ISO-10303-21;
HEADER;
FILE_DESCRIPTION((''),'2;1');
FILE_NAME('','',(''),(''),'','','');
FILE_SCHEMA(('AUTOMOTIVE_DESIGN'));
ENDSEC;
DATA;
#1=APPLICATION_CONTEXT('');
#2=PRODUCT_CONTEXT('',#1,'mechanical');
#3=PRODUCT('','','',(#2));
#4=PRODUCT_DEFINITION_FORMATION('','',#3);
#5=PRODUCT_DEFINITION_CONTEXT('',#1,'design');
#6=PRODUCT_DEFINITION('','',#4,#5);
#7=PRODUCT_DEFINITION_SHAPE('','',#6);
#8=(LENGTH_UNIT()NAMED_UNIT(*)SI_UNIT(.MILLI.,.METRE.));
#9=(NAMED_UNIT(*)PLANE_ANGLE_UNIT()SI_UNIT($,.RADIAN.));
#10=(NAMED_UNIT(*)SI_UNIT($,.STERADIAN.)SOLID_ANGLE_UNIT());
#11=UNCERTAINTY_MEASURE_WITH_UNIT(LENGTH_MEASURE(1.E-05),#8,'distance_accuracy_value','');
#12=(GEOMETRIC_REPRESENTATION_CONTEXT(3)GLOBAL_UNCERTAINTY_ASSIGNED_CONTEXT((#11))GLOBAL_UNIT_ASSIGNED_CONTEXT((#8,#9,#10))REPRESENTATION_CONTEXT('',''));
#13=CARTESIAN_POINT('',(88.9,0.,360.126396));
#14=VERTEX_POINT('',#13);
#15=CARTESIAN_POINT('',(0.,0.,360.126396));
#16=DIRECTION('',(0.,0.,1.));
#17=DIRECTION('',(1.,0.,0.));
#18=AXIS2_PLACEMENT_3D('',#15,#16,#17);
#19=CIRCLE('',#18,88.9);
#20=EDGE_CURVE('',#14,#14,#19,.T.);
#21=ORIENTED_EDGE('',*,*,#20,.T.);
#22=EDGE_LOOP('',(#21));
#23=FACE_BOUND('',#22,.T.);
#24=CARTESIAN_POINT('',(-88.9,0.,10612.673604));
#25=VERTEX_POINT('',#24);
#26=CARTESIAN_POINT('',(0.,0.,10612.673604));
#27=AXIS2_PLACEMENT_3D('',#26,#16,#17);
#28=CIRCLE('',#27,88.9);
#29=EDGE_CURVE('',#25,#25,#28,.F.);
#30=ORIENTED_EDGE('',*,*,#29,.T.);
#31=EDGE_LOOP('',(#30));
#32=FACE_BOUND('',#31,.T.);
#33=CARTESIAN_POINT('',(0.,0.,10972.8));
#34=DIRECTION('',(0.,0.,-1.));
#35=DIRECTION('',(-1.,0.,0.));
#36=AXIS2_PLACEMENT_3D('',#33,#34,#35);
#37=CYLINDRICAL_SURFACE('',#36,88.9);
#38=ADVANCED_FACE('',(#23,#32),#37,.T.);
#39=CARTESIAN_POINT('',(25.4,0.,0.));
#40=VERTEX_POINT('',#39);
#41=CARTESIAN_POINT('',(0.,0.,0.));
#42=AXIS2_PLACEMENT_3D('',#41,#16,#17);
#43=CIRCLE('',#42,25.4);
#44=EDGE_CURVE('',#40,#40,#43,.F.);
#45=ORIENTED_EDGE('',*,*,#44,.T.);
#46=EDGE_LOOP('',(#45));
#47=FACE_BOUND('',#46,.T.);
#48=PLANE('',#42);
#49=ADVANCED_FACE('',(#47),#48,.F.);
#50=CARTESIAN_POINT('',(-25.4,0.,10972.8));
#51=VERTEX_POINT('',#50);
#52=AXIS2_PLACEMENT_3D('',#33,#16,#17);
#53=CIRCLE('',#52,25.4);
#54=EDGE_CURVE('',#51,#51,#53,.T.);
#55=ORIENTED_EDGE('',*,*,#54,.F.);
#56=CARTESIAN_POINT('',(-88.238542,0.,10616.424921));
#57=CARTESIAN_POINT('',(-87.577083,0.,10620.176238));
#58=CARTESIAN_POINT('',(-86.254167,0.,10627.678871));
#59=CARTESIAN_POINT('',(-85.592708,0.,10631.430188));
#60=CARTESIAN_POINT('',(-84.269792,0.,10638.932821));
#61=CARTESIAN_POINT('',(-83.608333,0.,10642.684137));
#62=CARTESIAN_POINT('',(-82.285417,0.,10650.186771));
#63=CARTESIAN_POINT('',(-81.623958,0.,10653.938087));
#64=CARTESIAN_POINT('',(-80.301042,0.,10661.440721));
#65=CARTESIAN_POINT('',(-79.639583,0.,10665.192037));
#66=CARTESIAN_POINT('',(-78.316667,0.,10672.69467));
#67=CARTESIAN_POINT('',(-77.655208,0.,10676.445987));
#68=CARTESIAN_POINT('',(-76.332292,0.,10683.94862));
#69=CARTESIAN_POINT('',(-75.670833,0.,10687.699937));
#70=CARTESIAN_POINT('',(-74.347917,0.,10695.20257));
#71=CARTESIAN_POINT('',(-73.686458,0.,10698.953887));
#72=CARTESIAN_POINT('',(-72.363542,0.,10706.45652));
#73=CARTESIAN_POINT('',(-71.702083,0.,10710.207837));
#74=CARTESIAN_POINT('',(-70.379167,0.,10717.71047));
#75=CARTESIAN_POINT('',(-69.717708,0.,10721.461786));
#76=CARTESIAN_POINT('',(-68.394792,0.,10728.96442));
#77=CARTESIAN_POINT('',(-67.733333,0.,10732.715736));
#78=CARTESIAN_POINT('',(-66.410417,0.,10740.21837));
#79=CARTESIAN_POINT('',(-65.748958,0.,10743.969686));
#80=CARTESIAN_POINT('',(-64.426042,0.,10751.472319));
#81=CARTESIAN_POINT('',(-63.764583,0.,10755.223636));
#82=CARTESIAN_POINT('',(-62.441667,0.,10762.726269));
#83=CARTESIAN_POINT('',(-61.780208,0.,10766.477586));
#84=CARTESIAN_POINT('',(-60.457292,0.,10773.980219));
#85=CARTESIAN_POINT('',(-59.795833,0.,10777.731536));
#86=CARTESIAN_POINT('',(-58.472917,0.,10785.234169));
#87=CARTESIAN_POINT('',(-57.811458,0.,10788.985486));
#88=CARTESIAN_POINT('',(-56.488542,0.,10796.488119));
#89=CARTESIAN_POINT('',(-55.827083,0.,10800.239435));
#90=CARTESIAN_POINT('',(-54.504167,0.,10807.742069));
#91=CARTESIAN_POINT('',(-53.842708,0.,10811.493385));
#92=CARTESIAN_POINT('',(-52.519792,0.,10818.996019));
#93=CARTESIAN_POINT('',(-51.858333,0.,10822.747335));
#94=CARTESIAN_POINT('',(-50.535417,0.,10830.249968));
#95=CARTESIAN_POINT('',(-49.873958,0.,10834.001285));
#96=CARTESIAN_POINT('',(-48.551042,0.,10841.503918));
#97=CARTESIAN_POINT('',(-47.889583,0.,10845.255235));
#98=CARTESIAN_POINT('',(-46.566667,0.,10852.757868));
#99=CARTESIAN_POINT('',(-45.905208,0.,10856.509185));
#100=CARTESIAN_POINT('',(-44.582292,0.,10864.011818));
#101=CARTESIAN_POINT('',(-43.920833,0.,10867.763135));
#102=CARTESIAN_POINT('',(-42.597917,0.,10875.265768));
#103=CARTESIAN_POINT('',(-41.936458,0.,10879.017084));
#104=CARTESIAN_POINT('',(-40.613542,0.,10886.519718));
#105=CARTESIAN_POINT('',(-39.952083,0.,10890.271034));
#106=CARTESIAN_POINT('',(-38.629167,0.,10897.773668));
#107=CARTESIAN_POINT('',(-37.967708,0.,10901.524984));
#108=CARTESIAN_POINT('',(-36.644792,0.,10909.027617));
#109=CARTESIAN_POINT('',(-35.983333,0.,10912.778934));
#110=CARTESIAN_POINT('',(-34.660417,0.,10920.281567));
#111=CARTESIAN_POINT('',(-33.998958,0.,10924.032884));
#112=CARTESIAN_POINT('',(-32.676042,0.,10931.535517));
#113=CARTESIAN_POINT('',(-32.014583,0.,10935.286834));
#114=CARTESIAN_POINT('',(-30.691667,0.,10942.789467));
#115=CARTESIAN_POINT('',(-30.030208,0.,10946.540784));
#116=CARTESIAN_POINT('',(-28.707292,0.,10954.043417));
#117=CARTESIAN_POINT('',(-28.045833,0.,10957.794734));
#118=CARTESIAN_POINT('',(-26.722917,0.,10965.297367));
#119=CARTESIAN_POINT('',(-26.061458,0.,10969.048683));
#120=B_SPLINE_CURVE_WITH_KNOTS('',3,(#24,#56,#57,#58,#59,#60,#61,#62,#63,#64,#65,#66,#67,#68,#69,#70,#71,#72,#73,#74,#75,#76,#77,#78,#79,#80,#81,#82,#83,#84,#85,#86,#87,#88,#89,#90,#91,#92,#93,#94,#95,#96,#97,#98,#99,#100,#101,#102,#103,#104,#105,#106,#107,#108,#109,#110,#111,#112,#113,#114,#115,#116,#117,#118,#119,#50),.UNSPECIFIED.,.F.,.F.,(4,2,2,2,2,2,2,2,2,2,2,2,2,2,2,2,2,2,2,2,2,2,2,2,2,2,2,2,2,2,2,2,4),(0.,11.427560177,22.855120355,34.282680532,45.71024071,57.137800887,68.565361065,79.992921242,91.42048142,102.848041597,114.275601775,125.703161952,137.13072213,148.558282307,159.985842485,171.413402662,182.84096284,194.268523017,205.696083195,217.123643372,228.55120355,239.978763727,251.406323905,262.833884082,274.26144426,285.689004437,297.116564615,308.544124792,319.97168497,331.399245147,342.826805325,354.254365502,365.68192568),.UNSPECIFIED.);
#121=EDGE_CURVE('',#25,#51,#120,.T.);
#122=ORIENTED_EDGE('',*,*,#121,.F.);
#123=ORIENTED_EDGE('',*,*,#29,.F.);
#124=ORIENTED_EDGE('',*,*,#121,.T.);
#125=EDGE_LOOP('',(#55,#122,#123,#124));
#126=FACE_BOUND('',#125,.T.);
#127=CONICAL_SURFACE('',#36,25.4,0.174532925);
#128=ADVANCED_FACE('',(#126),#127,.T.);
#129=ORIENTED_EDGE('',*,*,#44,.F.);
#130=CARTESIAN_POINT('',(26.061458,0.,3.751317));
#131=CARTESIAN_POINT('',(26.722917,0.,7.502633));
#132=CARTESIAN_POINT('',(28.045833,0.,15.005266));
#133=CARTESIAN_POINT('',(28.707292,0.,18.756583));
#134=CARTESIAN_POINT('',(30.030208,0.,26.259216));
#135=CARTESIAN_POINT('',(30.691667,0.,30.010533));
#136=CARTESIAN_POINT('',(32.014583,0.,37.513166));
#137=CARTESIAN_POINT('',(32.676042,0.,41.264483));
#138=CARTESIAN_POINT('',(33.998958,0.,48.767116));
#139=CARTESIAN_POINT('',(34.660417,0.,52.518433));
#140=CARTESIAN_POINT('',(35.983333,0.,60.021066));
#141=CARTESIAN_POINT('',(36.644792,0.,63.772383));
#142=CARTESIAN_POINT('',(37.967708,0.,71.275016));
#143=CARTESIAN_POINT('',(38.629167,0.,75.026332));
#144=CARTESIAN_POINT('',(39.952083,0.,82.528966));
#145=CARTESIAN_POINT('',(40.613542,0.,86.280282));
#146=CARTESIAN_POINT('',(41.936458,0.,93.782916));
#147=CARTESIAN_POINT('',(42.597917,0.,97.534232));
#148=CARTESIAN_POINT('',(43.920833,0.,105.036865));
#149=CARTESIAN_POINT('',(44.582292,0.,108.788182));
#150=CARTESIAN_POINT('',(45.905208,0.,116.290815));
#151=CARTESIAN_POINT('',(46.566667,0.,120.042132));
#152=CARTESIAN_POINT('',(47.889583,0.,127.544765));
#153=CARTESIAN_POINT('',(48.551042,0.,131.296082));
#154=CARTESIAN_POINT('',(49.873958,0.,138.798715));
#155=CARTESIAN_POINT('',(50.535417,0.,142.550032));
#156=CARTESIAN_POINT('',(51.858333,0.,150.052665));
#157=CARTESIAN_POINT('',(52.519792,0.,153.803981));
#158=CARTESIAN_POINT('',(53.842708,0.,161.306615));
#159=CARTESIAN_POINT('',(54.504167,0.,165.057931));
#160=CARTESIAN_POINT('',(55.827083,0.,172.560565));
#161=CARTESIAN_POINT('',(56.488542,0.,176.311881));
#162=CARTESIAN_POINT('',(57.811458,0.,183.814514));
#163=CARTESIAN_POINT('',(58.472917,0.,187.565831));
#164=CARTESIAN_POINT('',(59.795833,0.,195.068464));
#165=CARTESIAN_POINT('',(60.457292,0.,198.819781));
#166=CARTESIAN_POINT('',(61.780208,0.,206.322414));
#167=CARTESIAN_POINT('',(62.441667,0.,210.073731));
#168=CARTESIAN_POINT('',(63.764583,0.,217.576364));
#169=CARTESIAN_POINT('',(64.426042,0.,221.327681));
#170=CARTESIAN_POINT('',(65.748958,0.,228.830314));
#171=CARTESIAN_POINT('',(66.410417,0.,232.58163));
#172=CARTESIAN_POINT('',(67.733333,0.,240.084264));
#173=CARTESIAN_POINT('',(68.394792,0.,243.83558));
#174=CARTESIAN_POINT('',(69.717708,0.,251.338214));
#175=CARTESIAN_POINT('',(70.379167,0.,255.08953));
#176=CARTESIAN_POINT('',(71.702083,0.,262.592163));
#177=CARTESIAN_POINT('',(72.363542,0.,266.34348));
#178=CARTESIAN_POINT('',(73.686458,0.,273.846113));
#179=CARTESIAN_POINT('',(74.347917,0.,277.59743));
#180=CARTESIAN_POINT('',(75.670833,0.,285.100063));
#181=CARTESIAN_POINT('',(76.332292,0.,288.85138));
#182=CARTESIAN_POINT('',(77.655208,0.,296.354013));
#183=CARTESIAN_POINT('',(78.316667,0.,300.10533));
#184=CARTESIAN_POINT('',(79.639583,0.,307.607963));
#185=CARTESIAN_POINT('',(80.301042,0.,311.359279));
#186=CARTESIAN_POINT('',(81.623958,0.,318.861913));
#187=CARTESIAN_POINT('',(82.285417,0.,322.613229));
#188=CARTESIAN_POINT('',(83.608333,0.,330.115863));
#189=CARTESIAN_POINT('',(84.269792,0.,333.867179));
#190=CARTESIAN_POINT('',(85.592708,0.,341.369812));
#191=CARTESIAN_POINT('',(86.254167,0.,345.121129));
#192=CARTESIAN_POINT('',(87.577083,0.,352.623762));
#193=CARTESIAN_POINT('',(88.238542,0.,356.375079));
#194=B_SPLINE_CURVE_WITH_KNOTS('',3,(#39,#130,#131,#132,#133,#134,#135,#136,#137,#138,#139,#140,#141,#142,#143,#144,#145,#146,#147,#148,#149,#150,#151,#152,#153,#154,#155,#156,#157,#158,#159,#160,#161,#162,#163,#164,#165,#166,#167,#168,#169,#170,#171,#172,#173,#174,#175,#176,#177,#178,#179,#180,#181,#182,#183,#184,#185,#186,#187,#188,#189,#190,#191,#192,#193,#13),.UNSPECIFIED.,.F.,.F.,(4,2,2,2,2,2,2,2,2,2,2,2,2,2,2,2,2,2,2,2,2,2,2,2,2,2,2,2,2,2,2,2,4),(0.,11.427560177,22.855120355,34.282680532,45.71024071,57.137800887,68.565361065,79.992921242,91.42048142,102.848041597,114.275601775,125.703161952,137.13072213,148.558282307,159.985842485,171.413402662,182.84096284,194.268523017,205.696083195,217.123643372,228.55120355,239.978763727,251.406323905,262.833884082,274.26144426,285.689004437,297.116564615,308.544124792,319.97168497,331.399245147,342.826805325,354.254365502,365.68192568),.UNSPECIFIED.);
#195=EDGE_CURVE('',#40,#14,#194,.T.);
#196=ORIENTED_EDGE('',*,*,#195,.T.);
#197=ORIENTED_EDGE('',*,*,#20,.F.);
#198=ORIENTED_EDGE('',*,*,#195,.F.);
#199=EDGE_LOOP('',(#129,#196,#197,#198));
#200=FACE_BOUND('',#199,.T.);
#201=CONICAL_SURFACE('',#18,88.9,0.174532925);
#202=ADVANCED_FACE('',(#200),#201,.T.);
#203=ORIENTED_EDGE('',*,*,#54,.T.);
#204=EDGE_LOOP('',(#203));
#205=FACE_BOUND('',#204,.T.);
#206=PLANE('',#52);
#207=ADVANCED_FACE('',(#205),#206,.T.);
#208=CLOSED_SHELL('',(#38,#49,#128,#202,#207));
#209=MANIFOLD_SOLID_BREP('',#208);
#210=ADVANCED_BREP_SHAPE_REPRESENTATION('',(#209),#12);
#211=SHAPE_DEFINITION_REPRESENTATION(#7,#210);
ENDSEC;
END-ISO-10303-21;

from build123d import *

# Parameters (mm, degrees)
SKETCH1_R           = 88.9
BOSS_EXTRUDE1_DEPTH = 10972.8
CHAMFER1_SIZE       = 63.5
CHAMFER1_SIZE2      = 360.126395546
CHAMFER2_SIZE       = 63.5
CHAMFER2_SIZE2      = 360.126395546


with BuildPart() as part:
    # Sketch1 → Boss-Extrude1 (new body)
    with BuildSketch(Plane.XY):
        Circle(SKETCH1_R)
    extrude(amount=BOSS_EXTRUDE1_DEPTH)

    # Chamfer1
    chamfer1_edges = [part.edges().sort_by_distance(p)[0] for p in [
        (-88.9, 0, 0),
    ]]
    chamfer1_side = [part.faces().sort_by_distance(p)[0] for p in [
        (0, 0, 0),
    ]]
    chamfer(chamfer1_edges, length=CHAMFER1_SIZE, length2=CHAMFER1_SIZE2, reference=chamfer1_side[0])

    # Chamfer2
    chamfer2_edges = [part.edges().sort_by_distance(p)[0] for p in [
        (-88.9, 0, 10972.8),
    ]]
    chamfer2_side = [part.faces().sort_by_distance(p)[0] for p in [
        (0, 0, 10972.8),
    ]]
    chamfer(chamfer2_edges, length=CHAMFER2_SIZE, length2=CHAMFER2_SIZE2, reference=chamfer2_side[0])


solid = part.part
